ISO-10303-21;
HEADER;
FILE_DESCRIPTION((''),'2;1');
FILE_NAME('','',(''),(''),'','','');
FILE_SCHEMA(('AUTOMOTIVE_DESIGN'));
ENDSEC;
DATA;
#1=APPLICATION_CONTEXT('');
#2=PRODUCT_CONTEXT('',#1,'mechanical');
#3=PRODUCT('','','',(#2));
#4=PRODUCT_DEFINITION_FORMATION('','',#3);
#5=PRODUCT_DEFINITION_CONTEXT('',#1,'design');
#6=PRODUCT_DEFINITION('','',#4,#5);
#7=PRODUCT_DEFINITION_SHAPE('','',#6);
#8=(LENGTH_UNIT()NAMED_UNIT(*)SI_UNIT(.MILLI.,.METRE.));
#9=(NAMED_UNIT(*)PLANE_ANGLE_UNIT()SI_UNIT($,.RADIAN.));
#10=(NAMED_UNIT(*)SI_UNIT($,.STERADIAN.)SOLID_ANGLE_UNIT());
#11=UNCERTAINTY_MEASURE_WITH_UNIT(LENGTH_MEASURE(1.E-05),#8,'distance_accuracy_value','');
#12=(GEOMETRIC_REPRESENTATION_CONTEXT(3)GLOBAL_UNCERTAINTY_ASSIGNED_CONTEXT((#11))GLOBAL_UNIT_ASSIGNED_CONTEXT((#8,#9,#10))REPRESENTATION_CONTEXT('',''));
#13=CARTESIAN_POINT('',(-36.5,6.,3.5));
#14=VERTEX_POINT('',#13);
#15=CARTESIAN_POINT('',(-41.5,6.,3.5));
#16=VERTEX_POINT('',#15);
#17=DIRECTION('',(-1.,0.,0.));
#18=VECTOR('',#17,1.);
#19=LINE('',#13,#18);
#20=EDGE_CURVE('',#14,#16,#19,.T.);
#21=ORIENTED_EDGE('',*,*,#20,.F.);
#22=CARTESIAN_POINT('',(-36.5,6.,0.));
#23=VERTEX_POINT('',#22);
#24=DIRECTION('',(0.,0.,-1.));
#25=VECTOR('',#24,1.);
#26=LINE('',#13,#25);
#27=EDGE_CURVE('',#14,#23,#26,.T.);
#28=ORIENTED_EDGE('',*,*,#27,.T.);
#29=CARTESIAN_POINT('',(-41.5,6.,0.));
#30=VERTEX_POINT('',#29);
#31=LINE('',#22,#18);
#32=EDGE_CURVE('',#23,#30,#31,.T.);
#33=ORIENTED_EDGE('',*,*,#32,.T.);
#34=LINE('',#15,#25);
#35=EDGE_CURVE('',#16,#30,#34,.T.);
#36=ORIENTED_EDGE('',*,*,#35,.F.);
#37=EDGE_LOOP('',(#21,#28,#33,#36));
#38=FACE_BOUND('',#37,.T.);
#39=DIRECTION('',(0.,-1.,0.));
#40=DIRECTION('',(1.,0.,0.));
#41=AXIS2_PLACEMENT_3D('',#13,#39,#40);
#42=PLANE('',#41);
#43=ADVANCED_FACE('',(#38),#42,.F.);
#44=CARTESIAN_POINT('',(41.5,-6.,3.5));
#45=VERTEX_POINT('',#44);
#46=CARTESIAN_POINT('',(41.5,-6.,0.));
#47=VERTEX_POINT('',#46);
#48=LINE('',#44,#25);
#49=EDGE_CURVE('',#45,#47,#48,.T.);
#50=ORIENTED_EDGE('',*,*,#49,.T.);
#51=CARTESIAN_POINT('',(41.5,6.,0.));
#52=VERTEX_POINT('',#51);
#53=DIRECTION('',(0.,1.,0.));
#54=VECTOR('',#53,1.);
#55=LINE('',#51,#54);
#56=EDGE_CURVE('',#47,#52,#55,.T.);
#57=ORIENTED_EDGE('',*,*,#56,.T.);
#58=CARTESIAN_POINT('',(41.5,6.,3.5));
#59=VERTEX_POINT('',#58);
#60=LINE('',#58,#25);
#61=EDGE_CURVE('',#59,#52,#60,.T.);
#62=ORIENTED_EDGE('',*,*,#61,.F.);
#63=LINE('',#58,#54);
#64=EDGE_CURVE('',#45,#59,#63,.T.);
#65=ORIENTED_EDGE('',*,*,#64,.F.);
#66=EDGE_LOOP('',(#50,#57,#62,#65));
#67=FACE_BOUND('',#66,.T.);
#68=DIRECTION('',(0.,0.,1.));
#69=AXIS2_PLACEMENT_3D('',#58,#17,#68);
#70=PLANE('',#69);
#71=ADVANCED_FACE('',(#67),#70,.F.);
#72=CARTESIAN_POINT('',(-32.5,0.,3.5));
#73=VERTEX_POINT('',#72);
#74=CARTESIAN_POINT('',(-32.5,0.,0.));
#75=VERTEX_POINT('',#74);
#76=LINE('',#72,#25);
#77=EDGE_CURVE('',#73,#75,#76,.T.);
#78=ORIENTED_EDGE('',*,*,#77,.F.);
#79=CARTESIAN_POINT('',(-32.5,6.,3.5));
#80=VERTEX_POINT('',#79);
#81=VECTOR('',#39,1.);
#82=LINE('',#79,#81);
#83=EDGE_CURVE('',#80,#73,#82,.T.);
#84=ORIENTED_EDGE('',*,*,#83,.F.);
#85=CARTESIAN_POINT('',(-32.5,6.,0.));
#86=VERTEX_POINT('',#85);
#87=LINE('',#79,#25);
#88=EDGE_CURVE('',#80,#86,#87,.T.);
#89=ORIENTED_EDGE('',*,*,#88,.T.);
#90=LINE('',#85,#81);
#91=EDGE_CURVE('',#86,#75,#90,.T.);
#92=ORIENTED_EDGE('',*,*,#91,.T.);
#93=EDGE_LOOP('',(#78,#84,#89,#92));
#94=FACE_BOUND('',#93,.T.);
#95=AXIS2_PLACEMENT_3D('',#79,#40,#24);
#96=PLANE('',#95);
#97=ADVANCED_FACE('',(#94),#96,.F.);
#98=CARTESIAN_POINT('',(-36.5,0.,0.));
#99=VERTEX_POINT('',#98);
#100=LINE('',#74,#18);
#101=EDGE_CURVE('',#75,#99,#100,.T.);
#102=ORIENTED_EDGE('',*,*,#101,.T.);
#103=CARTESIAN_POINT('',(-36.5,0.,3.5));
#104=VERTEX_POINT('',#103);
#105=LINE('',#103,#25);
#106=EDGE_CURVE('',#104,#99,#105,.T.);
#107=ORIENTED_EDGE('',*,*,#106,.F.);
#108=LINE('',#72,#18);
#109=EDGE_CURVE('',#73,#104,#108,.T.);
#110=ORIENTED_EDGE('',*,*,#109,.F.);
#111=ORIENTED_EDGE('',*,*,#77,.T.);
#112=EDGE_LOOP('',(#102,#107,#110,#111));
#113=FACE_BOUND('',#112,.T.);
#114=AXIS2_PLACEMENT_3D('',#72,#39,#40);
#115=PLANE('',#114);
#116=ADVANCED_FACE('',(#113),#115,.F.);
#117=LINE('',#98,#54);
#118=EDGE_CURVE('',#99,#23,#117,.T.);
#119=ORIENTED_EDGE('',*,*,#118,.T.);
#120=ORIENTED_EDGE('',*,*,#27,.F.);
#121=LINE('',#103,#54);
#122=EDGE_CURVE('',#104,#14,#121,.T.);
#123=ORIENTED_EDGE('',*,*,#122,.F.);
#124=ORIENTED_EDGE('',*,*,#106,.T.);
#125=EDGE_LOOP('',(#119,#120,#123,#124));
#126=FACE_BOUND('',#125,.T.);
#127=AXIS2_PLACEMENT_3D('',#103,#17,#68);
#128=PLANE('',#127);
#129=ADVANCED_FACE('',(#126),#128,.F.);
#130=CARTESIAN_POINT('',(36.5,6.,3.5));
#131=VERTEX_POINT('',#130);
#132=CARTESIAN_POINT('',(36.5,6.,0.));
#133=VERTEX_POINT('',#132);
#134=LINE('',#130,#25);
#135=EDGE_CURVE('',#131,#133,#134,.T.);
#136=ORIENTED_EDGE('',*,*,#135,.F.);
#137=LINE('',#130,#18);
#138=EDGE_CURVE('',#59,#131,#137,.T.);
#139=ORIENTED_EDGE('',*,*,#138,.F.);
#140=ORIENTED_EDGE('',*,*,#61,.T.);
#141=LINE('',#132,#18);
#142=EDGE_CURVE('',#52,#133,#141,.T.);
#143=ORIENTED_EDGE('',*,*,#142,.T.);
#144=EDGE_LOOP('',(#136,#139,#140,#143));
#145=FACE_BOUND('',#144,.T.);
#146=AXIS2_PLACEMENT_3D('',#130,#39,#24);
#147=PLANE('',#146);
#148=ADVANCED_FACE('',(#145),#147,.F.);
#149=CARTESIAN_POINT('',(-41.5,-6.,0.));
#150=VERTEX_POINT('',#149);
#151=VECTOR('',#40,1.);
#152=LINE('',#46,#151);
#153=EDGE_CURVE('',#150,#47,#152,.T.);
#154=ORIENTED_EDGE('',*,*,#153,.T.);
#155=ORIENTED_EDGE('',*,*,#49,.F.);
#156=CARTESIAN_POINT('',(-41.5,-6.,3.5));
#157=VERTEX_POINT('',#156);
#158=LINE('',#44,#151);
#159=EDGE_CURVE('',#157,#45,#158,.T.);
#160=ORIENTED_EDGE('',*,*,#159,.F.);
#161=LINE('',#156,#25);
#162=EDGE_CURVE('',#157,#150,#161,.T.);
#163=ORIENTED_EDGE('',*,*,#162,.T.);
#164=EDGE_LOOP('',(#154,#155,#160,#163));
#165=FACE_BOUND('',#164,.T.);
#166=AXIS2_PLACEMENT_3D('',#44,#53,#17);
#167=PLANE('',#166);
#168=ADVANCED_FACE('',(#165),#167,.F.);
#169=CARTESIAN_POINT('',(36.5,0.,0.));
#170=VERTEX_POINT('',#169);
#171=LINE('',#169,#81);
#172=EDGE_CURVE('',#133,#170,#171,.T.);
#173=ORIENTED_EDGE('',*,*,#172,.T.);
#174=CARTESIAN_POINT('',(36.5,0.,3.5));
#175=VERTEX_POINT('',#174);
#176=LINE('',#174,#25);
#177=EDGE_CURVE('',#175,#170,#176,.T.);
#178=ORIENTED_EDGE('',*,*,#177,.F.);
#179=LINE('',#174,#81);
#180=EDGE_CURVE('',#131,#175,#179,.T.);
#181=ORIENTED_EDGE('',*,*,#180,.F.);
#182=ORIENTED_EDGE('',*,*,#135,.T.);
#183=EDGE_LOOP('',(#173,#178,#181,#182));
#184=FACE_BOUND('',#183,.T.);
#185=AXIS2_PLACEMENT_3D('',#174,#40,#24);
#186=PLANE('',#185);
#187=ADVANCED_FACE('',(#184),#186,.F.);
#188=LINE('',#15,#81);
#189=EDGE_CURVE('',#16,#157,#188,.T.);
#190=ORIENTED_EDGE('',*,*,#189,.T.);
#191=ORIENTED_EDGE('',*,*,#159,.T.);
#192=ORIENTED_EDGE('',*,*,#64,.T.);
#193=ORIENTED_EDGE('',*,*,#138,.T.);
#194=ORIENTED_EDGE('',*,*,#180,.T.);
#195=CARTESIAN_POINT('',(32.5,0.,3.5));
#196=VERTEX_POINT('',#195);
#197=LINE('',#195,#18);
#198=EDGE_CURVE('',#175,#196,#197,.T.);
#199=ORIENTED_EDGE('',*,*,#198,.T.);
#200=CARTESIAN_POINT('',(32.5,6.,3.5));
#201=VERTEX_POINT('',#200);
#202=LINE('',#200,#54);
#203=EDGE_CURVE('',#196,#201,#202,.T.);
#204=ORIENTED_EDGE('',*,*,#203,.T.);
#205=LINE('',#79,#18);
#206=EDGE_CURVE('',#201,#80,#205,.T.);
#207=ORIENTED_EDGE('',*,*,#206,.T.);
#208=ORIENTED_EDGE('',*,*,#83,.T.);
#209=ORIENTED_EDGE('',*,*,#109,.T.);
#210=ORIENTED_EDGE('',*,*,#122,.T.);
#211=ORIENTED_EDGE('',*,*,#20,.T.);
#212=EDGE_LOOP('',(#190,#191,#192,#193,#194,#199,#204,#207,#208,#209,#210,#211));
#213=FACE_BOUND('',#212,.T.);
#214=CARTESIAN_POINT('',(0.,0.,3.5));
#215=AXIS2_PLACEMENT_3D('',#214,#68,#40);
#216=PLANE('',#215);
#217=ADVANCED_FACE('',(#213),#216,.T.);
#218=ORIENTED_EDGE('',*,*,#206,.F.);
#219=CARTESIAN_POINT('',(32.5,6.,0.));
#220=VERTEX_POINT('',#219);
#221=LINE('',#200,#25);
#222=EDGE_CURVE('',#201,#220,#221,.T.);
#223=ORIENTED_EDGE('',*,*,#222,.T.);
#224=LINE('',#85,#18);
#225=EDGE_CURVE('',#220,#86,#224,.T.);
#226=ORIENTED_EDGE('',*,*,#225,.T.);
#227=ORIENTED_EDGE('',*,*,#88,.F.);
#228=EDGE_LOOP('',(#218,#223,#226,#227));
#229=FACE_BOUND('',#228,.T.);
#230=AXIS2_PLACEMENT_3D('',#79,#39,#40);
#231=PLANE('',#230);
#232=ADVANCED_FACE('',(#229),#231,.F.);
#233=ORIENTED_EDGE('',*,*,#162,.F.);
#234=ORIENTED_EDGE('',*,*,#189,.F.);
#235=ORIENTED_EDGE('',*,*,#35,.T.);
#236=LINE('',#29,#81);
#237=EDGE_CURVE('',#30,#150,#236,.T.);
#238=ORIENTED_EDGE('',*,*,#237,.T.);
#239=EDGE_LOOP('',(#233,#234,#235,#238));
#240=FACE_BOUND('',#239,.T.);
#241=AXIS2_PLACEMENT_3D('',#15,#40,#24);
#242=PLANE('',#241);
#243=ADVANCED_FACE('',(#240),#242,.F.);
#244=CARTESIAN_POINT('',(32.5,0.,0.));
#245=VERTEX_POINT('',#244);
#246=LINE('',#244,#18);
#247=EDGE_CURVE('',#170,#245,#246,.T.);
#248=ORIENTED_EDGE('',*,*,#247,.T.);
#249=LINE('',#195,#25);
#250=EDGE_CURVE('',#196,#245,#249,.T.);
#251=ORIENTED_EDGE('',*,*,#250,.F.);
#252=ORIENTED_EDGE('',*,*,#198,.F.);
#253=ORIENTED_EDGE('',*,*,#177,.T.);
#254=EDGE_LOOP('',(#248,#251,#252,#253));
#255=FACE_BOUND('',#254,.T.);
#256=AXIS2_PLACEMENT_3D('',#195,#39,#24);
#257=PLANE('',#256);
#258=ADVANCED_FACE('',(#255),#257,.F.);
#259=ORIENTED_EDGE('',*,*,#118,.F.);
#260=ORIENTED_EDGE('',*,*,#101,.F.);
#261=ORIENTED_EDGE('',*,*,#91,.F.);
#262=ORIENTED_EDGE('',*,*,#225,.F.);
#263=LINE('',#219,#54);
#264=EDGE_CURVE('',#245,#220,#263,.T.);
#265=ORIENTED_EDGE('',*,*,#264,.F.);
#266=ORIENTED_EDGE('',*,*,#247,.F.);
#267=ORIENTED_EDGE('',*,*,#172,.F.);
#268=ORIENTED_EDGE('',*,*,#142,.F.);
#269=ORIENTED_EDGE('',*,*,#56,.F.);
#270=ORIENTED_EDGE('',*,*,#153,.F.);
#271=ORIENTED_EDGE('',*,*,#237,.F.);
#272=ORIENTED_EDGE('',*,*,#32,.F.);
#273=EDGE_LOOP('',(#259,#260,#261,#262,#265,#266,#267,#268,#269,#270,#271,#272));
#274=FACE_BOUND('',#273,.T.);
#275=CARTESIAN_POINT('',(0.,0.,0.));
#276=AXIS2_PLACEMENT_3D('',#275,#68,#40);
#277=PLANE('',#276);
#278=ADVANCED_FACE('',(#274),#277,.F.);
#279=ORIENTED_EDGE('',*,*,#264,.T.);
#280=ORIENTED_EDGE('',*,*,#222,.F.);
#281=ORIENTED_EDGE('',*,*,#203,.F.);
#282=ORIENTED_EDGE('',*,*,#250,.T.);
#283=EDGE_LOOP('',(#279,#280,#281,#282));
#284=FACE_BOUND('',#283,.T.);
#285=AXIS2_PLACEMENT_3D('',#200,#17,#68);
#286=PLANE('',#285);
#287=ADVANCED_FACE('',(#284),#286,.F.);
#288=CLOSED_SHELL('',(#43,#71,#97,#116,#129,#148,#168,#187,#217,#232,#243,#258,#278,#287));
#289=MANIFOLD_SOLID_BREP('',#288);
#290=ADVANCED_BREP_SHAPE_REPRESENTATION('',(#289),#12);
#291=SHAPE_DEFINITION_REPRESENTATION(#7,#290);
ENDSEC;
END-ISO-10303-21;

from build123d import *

# Parameters (mm, degrees)
BOSS_EXTRUDE1_DEPTH = 3.5


with BuildPart() as part:
    # Sketch1 → Boss-Extrude1 (new body)
    with BuildSketch(Plane.XY):
        Polygon((-32.5, 6), (32.5, 6), (32.5, 0), (36.5, 0), (36.5, 6), (41.5, 6), (41.5, -6), (-41.5, -6), (-41.5, 6), (-36.5, 6), (-36.5, 0), (-32.5, 0), align=None)
    extrude(amount=BOSS_EXTRUDE1_DEPTH)


solid = part.part
